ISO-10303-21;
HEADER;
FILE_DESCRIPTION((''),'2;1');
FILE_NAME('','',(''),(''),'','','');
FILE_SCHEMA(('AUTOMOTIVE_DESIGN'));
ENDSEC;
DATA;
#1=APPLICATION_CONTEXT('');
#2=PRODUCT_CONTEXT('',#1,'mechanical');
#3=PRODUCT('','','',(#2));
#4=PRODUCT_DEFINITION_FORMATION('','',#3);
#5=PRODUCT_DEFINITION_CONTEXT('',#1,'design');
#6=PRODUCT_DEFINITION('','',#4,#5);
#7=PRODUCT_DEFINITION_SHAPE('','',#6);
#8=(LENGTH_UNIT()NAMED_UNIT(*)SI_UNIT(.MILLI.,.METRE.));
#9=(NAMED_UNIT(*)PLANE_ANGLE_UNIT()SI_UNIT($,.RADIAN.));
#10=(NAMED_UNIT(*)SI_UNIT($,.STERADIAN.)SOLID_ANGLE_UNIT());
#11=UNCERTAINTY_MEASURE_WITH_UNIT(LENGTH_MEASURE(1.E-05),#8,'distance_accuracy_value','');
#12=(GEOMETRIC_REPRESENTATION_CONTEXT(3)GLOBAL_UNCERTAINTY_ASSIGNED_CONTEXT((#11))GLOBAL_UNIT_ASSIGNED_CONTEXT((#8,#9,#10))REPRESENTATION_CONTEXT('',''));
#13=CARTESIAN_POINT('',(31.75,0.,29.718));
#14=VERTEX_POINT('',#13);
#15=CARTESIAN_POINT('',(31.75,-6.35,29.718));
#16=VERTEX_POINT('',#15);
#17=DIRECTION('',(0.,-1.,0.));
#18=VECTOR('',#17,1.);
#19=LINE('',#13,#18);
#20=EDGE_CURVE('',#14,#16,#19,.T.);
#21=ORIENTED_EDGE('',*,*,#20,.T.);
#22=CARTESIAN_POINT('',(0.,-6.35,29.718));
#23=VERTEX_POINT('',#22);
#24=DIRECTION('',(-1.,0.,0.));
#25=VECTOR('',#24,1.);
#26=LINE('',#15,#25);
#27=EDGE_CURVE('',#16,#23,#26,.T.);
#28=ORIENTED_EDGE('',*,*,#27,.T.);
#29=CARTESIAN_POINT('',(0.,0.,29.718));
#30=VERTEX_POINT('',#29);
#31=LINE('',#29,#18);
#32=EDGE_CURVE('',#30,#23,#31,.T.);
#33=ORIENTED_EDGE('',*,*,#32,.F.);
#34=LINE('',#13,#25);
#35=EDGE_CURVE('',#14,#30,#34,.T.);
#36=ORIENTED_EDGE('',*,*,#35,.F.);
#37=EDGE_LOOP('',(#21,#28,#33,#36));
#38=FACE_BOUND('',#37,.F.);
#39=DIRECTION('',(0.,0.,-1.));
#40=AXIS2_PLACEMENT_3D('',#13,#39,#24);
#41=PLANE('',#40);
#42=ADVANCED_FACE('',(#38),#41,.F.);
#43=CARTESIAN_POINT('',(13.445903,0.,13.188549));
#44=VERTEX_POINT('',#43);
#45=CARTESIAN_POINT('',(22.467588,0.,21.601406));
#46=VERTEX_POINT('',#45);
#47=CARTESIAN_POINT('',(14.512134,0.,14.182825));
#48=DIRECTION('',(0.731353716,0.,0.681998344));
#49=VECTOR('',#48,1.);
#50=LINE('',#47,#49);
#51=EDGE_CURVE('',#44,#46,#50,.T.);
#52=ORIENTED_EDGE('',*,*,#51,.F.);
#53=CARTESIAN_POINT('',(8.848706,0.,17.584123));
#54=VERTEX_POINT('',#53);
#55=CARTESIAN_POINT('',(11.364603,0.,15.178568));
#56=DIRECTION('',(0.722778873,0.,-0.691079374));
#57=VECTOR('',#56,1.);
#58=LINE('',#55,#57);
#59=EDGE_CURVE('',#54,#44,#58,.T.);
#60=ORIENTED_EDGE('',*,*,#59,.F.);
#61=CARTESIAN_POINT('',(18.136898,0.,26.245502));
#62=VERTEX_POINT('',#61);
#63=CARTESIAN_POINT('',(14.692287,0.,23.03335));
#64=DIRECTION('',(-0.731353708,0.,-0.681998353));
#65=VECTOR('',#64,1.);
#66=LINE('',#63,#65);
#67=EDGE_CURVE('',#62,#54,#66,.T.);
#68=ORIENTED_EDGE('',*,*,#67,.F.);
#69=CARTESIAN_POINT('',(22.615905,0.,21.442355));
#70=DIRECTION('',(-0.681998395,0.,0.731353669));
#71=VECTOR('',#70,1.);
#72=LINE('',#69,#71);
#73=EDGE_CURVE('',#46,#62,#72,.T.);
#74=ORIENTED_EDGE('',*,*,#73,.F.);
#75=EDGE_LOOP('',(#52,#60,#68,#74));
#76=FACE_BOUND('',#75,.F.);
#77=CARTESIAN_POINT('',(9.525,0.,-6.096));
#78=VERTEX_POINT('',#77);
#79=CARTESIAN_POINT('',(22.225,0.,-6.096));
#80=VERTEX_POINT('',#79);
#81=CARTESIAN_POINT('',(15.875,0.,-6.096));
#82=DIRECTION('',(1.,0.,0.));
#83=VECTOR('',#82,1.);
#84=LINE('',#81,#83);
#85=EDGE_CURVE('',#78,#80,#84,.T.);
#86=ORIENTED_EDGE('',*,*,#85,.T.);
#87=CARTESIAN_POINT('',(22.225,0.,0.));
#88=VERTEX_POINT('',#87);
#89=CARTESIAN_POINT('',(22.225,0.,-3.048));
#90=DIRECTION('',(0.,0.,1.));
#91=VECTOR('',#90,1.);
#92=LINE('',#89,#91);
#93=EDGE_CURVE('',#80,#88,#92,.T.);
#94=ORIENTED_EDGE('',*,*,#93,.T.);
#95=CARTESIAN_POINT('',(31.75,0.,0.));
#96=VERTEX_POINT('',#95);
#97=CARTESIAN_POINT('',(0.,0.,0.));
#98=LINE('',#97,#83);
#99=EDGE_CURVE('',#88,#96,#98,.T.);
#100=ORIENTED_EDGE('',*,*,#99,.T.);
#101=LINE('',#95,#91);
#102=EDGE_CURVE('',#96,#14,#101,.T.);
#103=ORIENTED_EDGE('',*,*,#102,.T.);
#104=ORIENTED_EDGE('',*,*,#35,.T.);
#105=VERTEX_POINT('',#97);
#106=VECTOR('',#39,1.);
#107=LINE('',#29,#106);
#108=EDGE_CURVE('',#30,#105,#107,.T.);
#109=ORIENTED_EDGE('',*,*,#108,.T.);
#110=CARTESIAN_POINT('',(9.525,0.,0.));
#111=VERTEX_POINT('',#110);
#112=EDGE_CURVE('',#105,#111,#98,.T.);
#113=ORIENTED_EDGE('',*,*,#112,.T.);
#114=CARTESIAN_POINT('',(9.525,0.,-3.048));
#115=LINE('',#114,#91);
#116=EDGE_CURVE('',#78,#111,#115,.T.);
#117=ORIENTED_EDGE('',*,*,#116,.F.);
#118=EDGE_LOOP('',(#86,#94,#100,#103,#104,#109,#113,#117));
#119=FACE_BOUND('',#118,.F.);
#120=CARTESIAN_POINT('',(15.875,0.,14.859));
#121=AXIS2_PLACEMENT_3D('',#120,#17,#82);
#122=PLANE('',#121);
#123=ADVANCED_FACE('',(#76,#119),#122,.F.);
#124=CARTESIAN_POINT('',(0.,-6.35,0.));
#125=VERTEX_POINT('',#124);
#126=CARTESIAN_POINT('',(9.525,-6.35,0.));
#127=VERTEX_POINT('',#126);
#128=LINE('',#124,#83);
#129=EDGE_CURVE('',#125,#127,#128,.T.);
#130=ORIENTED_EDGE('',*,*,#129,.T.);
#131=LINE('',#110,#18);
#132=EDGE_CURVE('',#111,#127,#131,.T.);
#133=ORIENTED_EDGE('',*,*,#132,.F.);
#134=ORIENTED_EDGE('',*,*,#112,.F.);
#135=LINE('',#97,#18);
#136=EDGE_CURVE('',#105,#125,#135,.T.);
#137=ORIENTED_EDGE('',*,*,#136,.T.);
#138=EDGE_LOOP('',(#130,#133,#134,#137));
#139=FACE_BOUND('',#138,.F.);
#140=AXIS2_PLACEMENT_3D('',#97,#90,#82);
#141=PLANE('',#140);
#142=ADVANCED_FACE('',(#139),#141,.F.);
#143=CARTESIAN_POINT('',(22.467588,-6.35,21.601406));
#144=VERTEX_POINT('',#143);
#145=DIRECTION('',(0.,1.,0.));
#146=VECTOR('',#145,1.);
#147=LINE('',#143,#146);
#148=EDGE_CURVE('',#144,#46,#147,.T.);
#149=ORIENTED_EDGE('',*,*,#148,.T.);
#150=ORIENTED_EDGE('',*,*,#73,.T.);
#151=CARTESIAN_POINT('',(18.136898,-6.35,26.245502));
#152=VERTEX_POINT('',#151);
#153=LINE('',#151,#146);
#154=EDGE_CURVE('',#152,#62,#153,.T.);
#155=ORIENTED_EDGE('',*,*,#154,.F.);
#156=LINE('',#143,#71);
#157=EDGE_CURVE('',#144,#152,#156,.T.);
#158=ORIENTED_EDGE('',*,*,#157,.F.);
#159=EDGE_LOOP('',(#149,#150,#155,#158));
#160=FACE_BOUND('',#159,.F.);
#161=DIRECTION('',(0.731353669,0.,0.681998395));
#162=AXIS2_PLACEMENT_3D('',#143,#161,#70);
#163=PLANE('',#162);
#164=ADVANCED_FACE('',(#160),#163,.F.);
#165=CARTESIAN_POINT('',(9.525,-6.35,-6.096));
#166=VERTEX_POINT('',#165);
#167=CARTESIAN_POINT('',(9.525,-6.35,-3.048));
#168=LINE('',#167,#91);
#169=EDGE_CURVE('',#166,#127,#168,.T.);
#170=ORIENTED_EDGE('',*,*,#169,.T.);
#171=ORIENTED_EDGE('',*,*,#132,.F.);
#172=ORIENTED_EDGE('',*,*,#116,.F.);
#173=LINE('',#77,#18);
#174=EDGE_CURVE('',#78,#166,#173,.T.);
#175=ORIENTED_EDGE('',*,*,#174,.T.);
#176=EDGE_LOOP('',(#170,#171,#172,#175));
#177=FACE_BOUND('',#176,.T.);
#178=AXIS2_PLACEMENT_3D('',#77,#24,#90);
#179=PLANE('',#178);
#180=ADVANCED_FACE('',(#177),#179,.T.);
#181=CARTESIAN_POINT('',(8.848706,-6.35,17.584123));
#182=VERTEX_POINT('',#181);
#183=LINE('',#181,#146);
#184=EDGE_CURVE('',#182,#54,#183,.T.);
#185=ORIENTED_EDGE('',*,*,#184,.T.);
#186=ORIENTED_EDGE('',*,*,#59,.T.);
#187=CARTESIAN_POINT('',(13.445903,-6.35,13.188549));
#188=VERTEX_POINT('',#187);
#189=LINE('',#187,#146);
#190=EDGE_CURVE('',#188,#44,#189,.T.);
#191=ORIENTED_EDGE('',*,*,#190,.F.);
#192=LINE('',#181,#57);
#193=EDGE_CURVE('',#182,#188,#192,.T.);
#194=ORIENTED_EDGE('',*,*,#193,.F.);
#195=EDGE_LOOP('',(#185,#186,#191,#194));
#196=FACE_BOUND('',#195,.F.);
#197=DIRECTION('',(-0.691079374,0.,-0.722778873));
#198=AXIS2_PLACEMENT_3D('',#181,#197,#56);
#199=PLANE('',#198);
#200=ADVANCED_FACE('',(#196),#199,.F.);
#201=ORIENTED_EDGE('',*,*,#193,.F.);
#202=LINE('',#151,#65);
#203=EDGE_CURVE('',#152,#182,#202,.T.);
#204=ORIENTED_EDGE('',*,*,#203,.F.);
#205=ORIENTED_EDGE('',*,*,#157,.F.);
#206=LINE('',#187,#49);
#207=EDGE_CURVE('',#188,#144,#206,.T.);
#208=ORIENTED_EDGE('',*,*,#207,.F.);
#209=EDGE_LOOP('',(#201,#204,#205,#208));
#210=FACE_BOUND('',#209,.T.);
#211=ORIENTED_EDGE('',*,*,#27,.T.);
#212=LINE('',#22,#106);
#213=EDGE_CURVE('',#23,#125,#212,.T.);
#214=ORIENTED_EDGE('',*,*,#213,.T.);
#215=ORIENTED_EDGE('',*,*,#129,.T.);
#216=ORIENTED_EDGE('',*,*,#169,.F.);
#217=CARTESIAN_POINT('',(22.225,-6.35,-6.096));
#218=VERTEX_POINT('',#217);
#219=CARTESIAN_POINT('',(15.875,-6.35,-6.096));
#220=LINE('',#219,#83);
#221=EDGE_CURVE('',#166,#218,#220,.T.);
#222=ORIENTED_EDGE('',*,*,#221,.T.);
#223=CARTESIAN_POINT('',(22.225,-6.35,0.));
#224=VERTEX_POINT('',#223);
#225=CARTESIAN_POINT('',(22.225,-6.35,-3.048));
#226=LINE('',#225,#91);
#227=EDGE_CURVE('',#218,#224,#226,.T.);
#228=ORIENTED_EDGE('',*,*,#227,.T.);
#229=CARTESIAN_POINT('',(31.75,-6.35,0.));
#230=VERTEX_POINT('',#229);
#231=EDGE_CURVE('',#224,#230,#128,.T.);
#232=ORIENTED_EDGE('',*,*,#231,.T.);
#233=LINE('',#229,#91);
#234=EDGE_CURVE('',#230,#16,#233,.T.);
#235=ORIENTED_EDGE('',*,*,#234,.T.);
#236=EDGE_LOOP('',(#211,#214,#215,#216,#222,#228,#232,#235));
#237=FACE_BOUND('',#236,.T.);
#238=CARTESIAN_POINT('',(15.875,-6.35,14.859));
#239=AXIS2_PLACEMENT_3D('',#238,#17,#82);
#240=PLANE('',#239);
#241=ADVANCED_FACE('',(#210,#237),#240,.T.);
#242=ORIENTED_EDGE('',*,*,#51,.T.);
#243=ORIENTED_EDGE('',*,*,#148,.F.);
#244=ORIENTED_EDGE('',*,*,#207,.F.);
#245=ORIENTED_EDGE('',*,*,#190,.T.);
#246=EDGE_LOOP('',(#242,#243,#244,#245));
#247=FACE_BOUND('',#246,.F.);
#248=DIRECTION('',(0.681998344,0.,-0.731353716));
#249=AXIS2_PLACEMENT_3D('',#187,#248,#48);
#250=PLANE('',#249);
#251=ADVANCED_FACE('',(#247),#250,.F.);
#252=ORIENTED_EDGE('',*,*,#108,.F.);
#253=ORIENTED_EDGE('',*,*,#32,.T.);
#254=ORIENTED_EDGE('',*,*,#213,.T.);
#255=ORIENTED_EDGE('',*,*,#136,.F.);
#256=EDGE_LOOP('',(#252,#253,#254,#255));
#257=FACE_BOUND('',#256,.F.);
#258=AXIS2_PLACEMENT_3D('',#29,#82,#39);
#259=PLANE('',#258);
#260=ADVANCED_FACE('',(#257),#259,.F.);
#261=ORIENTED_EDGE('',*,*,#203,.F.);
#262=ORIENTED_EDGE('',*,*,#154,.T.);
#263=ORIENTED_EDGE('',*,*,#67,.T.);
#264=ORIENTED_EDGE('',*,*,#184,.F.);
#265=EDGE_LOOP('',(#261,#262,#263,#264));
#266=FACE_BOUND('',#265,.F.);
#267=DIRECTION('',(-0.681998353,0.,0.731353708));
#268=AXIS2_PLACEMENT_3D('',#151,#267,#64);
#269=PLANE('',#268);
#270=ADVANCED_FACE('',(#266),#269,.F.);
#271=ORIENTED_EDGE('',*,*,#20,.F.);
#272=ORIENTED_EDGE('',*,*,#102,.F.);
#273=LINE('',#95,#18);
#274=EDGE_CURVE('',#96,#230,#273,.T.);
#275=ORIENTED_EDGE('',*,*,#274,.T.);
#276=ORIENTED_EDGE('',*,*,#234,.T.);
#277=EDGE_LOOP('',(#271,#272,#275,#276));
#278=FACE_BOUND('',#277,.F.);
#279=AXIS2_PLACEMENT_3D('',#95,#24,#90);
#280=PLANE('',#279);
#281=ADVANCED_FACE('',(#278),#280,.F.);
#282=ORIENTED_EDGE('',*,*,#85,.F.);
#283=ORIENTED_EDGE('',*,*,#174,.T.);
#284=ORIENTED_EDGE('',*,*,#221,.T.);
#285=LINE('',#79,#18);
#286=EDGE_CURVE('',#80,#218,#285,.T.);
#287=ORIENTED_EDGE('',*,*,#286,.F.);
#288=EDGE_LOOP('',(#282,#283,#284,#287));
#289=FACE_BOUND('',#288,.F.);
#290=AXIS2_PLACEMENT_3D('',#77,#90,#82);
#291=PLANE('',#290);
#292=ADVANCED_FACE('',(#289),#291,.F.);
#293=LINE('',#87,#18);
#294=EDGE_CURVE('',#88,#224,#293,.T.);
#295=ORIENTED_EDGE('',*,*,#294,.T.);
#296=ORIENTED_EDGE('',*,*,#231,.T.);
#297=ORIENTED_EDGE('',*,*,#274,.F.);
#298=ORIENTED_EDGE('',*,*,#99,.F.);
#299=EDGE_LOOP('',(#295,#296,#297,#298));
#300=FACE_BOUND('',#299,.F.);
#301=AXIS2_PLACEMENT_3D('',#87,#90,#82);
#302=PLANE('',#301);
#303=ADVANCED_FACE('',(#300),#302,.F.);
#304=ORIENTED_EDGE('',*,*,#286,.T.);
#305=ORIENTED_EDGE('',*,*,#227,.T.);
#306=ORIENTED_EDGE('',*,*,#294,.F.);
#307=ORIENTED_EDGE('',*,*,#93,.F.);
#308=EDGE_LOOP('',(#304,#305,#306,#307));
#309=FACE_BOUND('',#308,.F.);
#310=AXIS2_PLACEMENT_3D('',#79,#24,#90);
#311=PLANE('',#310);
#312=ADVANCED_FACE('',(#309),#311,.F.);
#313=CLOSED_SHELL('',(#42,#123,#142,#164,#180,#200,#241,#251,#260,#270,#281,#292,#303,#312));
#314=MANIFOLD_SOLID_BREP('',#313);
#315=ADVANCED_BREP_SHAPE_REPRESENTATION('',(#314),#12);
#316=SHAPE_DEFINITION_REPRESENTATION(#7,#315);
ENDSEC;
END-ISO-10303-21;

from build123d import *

# Parameters (mm, degrees)
F0_W     = 12.7
F0_H     = 6.096
F1_DEPTH = 6.35
F3_DEPTH = 25.4


with BuildPart() as f1:
    # F0 (on Front) → F1 (new body)
    with BuildSketch(Plane.XZ):
        Polygon((0, 29.718), (0, 0), (9.525, 0), (22.225, 0), (31.75, 0), (31.75, 29.718), align=None)
        with Locations((15.875, -3.048)):
            Rectangle(F0_W, F0_H)
    extrude(amount=F1_DEPTH)

    # F2 (on face) → F3 (cut)
    with BuildSketch(Plane.XZ.offset(6.35)):
        Polygon((22.467588, 21.601406), (18.136898, 26.245502), (8.848706, 17.584123), (13.445903, 13.188549), align=None)
    extrude(amount=-F3_DEPTH, mode=Mode.SUBTRACT)


solid = f1.part
